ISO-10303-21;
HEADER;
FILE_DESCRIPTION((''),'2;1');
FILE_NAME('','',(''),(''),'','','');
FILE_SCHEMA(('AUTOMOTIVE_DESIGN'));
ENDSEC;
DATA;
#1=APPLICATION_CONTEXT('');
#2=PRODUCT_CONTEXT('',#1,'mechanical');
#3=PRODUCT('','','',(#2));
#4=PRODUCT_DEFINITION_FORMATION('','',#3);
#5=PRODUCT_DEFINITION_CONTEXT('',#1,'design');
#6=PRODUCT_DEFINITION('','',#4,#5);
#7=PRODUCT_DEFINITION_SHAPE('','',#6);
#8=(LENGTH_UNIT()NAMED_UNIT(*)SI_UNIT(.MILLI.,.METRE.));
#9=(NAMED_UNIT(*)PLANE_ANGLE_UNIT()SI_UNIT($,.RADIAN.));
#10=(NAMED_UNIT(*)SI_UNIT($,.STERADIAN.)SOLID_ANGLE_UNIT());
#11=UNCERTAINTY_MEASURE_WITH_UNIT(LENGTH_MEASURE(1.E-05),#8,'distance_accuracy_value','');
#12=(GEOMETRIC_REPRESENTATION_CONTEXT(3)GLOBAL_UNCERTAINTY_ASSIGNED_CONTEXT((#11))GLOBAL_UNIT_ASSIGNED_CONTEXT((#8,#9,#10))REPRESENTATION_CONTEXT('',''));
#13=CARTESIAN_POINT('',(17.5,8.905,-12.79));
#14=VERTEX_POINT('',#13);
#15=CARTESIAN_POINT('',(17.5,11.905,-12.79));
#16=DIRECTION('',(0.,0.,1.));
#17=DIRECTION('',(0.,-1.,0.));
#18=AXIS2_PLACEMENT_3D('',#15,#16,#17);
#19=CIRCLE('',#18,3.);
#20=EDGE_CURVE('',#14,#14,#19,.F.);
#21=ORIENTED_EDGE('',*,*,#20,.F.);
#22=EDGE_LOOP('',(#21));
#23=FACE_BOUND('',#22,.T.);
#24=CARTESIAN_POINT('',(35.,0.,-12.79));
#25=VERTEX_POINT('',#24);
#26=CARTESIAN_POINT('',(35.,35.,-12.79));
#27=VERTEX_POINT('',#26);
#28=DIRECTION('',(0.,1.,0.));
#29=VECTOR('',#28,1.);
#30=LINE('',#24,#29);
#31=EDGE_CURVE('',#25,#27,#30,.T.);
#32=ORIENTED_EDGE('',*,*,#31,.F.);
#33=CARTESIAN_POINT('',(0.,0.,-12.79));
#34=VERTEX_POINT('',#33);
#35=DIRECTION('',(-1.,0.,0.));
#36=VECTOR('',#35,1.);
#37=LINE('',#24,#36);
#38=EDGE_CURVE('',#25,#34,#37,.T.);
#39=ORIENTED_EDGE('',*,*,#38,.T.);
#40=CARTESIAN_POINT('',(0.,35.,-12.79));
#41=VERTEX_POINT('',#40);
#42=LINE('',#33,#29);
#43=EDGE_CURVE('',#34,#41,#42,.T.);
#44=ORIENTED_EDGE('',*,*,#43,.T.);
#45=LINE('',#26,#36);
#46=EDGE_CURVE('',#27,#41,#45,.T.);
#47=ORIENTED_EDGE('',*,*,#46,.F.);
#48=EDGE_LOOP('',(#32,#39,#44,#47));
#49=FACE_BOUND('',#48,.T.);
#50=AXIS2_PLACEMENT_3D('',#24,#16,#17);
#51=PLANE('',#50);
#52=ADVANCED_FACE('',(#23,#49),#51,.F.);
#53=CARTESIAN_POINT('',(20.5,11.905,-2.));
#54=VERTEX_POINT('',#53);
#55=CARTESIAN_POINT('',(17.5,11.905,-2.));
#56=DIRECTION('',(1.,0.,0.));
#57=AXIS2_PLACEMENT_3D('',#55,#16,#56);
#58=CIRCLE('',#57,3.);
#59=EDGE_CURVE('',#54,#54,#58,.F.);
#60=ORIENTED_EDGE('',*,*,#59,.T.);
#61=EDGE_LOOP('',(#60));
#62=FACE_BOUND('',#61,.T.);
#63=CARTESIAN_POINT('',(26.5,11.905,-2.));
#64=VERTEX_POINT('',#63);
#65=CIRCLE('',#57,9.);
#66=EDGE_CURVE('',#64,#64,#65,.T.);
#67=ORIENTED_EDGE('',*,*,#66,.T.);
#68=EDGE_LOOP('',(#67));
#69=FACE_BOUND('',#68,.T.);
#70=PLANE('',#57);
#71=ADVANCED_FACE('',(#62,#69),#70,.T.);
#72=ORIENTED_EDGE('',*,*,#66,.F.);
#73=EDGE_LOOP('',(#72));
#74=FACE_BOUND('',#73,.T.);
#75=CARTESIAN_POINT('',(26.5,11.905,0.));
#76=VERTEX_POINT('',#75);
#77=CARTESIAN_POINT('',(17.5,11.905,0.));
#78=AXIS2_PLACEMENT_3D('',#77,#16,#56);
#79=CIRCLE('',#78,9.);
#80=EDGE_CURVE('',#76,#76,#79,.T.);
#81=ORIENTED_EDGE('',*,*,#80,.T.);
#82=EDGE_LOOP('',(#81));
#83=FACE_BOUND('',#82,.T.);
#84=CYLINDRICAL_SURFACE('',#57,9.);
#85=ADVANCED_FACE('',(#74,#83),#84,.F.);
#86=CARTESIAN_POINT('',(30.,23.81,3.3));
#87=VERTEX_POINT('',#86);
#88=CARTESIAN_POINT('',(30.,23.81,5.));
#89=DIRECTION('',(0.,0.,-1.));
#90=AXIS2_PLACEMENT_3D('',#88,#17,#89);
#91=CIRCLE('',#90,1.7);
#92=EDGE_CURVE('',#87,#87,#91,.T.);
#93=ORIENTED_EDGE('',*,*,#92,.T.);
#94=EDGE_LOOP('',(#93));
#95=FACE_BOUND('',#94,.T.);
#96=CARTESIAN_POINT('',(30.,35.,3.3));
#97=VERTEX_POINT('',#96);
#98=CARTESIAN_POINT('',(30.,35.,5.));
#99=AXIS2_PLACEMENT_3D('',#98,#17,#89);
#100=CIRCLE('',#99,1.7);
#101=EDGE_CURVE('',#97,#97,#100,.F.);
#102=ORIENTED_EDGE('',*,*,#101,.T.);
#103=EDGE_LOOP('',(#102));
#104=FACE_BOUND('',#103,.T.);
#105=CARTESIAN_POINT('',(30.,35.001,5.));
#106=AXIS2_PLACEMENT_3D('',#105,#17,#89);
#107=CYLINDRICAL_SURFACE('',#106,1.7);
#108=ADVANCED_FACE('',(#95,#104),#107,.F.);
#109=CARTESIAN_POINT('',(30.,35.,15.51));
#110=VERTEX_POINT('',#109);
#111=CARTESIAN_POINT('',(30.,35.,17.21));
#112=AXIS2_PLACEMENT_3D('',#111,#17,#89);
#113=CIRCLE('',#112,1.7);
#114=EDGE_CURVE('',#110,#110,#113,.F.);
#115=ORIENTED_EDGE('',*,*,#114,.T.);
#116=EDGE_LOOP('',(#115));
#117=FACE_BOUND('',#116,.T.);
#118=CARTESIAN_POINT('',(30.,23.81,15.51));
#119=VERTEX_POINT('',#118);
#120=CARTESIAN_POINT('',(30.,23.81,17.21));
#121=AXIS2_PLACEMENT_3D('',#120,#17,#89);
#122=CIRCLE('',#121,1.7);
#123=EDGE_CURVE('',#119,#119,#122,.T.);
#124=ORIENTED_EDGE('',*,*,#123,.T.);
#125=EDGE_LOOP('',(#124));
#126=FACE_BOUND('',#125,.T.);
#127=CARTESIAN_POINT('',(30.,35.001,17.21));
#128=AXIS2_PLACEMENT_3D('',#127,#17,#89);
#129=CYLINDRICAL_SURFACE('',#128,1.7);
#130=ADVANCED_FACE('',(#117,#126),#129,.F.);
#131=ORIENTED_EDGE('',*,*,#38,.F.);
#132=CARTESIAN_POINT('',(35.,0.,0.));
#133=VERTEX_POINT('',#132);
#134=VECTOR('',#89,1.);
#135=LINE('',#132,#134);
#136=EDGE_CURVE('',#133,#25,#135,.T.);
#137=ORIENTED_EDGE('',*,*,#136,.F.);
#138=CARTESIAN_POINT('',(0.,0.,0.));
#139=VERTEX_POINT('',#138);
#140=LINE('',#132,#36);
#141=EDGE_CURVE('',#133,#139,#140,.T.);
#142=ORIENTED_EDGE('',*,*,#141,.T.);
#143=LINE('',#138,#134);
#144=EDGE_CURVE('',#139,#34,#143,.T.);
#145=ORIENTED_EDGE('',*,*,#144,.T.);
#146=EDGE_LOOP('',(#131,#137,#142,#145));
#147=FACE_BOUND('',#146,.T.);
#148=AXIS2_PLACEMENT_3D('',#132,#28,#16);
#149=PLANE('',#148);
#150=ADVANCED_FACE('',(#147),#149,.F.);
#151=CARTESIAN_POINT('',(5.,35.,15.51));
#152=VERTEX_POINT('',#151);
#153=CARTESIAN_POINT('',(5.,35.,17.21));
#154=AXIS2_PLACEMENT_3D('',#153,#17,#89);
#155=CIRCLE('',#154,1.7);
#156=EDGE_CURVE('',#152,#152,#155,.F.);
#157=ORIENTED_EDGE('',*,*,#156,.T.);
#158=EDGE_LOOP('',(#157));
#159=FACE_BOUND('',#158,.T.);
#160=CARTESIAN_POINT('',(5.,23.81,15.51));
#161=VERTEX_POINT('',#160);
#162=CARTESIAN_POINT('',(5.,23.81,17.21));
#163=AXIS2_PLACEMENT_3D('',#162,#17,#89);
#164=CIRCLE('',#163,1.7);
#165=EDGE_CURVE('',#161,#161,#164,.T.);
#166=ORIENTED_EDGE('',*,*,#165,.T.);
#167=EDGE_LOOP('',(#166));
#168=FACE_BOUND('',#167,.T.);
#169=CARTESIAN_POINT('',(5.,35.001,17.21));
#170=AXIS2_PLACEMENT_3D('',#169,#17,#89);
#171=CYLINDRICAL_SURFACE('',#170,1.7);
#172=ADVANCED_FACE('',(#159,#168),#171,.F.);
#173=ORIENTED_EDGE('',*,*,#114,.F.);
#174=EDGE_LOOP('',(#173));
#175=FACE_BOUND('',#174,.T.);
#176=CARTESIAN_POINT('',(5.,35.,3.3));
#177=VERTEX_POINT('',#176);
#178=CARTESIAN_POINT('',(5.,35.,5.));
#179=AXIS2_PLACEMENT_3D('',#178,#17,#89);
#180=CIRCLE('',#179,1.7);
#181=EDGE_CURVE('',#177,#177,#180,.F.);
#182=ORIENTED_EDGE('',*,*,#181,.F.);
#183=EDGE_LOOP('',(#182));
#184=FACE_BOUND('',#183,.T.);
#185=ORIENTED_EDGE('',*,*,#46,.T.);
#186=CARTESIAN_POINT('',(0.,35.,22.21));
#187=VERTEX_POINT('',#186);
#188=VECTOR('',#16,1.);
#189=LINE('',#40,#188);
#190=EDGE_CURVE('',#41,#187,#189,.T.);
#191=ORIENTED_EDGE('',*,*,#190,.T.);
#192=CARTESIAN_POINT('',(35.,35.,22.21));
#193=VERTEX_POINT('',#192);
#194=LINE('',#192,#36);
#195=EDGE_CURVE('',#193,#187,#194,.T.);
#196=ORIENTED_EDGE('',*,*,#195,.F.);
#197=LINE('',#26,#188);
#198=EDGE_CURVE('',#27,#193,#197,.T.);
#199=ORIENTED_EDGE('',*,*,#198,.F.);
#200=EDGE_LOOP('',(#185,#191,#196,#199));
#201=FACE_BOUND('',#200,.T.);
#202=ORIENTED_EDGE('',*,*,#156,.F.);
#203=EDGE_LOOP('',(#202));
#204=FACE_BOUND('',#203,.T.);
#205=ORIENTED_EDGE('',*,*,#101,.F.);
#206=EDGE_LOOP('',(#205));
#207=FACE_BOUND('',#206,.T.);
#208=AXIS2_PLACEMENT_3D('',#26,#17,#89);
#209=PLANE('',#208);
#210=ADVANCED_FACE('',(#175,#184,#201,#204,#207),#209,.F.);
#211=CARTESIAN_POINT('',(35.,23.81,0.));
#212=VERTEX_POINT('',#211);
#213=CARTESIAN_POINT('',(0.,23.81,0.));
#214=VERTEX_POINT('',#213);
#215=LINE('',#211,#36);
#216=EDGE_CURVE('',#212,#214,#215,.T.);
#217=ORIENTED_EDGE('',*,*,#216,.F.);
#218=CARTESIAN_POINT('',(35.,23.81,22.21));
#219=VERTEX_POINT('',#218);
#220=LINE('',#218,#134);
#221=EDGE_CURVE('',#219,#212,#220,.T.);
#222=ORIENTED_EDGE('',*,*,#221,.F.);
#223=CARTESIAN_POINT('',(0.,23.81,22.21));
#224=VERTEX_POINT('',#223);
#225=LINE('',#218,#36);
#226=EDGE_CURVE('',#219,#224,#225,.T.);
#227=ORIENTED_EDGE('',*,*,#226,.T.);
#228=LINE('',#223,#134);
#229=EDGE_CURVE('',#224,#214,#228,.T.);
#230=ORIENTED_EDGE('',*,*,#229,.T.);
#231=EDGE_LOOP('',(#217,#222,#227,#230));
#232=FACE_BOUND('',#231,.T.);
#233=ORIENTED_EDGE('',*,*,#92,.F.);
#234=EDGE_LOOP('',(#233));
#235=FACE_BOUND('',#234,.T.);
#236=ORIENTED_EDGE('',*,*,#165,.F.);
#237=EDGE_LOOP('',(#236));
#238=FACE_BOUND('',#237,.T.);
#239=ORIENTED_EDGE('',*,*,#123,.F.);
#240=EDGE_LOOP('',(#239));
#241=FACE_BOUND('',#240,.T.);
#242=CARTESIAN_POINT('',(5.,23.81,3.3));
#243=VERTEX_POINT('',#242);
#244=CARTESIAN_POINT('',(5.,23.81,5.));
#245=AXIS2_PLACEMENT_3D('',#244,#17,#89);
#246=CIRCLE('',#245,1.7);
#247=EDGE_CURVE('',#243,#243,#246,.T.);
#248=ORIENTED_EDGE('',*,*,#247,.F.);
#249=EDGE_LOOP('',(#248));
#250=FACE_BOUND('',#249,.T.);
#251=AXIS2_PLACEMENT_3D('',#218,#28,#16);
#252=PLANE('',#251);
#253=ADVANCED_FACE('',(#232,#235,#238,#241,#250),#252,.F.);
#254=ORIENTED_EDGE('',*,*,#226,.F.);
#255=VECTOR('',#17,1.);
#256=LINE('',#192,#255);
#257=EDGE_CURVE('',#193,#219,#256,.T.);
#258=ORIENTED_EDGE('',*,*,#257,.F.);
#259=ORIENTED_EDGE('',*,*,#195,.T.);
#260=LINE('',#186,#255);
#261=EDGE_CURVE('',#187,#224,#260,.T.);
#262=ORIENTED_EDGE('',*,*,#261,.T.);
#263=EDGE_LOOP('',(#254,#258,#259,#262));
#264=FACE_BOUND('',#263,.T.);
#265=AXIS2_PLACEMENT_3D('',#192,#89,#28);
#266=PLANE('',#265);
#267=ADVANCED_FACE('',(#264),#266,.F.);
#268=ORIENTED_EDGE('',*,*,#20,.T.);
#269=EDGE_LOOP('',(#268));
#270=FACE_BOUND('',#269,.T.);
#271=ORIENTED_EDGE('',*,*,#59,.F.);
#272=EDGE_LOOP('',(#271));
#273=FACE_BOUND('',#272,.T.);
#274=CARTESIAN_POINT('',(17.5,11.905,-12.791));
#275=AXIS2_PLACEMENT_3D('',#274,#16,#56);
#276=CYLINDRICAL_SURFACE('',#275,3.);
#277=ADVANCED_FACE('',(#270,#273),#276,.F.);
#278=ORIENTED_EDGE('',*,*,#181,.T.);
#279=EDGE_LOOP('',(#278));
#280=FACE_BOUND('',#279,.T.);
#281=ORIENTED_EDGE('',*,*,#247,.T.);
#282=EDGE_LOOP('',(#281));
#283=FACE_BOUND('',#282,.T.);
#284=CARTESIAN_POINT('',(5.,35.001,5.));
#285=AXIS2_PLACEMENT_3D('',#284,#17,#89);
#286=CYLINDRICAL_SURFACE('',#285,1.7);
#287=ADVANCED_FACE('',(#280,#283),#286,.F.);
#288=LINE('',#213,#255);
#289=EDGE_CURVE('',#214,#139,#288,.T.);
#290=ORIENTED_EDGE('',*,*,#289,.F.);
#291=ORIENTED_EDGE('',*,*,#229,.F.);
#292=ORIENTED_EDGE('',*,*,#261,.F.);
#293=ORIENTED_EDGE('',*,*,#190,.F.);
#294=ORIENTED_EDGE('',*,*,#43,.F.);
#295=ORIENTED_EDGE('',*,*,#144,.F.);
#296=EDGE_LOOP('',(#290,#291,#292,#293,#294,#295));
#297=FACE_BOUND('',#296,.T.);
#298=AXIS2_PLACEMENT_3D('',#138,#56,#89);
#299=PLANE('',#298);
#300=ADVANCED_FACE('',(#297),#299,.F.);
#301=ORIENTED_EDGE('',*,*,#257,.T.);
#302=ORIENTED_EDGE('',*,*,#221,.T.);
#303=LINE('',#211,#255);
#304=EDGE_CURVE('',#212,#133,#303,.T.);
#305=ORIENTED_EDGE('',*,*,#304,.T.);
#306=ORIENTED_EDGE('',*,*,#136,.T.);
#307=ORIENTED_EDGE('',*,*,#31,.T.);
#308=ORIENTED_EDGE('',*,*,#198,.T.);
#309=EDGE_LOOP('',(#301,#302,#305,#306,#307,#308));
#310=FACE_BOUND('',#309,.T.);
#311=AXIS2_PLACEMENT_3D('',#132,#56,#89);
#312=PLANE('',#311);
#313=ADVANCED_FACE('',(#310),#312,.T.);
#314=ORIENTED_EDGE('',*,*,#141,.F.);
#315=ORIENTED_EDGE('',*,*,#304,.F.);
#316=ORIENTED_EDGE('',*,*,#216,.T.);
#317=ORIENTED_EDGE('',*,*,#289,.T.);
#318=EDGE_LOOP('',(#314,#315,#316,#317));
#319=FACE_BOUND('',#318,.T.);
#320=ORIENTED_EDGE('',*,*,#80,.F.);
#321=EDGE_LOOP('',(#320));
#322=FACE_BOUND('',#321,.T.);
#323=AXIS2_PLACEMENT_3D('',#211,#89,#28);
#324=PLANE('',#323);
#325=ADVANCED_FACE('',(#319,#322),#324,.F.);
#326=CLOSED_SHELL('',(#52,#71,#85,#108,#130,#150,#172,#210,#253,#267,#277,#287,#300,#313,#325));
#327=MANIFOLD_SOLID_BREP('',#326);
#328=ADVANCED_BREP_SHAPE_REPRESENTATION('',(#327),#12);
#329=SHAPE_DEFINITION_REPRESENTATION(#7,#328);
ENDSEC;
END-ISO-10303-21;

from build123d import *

# Parameters (mm, degrees)
BOSS_EXTRUDE1_DEPTH = 35
CUT_EXTRUDE1_REACH  = 56.252
SKETCH2_R           = 3
SKETCH2_4_R         = 9
CUT_EXTRUDE2_DEPTH  = 2
CUT_EXTRUDE3_REACH  = 49.804
SKETCH5_R           = 1.7


with BuildPart() as part:
    # Sketch1 → Boss-Extrude1 (new body)
    with BuildSketch(Plane.YZ):
        Polygon((0, -12.79), (35, -12.79), (35, 22.21), (23.81, 22.21), (23.81, 0), (0, 0), align=None)
    extrude(amount=BOSS_EXTRUDE1_DEPTH)

    # Sketch2 → Cut-Extrude1 (cut, up to next)
    with BuildSketch(Plane.XY, mode=Mode.PRIVATE) as cut_extrude1_sk1:
        with Locations((17.5, 11.905)):
            Circle(SKETCH2_R)
    cut_extrude1_tool1 = extrude(cut_extrude1_sk1.sketch, amount=-CUT_EXTRUDE1_REACH, mode=Mode.PRIVATE) & part.part
    add(cut_extrude1_tool1.solids().sort_by_distance((17.5, 11.905, 0))[0], mode=Mode.SUBTRACT)

    # Sketch2<4> → Cut-Extrude2 (cut)
    with BuildSketch(Plane.XY):
        with Locations((17.5, 11.905)):
            Circle(SKETCH2_4_R)
    extrude(amount=-CUT_EXTRUDE2_DEPTH, mode=Mode.SUBTRACT)

    # Sketch5 → Cut-Extrude3 (cut, up to next)
    with BuildSketch(Plane.XZ.offset(-23.81), mode=Mode.PRIVATE) as cut_extrude3_sk1:
        with Locations((5, 17.21)):
            Circle(SKETCH5_R)
    cut_extrude3_tool1 = extrude(cut_extrude3_sk1.sketch, amount=-CUT_EXTRUDE3_REACH, mode=Mode.PRIVATE) & part.part
    # Sketch5 → Cut-Extrude3 (cut, up to next)
    with BuildSketch(Plane.XZ.offset(-23.81), mode=Mode.PRIVATE) as cut_extrude3_sk2:
        with Locations((30, 17.21)):
            Circle(SKETCH5_R)
    cut_extrude3_tool2 = extrude(cut_extrude3_sk2.sketch, amount=-CUT_EXTRUDE3_REACH, mode=Mode.PRIVATE) & part.part
    # Sketch5 → Cut-Extrude3 (cut, up to next)
    with BuildSketch(Plane.XZ.offset(-23.81), mode=Mode.PRIVATE) as cut_extrude3_sk3:
        with Locations((30, 5)):
            Circle(SKETCH5_R)
    cut_extrude3_tool3 = extrude(cut_extrude3_sk3.sketch, amount=-CUT_EXTRUDE3_REACH, mode=Mode.PRIVATE) & part.part
    # Sketch5 → Cut-Extrude3 (cut, up to next)
    with BuildSketch(Plane.XZ.offset(-23.81), mode=Mode.PRIVATE) as cut_extrude3_sk4:
        with Locations((5, 5)):
            Circle(SKETCH5_R)
    cut_extrude3_tool4 = extrude(cut_extrude3_sk4.sketch, amount=-CUT_EXTRUDE3_REACH, mode=Mode.PRIVATE) & part.part
    add(cut_extrude3_tool1.solids().sort_by_distance((5, 23.81, 17.21))[0], mode=Mode.SUBTRACT)
    add(cut_extrude3_tool2.solids().sort_by_distance((30, 23.81, 17.21))[0], mode=Mode.SUBTRACT)
    add(cut_extrude3_tool3.solids().sort_by_distance((30, 23.81, 5))[0], mode=Mode.SUBTRACT)
    add(cut_extrude3_tool4.solids().sort_by_distance((5, 23.81, 5))[0], mode=Mode.SUBTRACT)


solid = part.part
